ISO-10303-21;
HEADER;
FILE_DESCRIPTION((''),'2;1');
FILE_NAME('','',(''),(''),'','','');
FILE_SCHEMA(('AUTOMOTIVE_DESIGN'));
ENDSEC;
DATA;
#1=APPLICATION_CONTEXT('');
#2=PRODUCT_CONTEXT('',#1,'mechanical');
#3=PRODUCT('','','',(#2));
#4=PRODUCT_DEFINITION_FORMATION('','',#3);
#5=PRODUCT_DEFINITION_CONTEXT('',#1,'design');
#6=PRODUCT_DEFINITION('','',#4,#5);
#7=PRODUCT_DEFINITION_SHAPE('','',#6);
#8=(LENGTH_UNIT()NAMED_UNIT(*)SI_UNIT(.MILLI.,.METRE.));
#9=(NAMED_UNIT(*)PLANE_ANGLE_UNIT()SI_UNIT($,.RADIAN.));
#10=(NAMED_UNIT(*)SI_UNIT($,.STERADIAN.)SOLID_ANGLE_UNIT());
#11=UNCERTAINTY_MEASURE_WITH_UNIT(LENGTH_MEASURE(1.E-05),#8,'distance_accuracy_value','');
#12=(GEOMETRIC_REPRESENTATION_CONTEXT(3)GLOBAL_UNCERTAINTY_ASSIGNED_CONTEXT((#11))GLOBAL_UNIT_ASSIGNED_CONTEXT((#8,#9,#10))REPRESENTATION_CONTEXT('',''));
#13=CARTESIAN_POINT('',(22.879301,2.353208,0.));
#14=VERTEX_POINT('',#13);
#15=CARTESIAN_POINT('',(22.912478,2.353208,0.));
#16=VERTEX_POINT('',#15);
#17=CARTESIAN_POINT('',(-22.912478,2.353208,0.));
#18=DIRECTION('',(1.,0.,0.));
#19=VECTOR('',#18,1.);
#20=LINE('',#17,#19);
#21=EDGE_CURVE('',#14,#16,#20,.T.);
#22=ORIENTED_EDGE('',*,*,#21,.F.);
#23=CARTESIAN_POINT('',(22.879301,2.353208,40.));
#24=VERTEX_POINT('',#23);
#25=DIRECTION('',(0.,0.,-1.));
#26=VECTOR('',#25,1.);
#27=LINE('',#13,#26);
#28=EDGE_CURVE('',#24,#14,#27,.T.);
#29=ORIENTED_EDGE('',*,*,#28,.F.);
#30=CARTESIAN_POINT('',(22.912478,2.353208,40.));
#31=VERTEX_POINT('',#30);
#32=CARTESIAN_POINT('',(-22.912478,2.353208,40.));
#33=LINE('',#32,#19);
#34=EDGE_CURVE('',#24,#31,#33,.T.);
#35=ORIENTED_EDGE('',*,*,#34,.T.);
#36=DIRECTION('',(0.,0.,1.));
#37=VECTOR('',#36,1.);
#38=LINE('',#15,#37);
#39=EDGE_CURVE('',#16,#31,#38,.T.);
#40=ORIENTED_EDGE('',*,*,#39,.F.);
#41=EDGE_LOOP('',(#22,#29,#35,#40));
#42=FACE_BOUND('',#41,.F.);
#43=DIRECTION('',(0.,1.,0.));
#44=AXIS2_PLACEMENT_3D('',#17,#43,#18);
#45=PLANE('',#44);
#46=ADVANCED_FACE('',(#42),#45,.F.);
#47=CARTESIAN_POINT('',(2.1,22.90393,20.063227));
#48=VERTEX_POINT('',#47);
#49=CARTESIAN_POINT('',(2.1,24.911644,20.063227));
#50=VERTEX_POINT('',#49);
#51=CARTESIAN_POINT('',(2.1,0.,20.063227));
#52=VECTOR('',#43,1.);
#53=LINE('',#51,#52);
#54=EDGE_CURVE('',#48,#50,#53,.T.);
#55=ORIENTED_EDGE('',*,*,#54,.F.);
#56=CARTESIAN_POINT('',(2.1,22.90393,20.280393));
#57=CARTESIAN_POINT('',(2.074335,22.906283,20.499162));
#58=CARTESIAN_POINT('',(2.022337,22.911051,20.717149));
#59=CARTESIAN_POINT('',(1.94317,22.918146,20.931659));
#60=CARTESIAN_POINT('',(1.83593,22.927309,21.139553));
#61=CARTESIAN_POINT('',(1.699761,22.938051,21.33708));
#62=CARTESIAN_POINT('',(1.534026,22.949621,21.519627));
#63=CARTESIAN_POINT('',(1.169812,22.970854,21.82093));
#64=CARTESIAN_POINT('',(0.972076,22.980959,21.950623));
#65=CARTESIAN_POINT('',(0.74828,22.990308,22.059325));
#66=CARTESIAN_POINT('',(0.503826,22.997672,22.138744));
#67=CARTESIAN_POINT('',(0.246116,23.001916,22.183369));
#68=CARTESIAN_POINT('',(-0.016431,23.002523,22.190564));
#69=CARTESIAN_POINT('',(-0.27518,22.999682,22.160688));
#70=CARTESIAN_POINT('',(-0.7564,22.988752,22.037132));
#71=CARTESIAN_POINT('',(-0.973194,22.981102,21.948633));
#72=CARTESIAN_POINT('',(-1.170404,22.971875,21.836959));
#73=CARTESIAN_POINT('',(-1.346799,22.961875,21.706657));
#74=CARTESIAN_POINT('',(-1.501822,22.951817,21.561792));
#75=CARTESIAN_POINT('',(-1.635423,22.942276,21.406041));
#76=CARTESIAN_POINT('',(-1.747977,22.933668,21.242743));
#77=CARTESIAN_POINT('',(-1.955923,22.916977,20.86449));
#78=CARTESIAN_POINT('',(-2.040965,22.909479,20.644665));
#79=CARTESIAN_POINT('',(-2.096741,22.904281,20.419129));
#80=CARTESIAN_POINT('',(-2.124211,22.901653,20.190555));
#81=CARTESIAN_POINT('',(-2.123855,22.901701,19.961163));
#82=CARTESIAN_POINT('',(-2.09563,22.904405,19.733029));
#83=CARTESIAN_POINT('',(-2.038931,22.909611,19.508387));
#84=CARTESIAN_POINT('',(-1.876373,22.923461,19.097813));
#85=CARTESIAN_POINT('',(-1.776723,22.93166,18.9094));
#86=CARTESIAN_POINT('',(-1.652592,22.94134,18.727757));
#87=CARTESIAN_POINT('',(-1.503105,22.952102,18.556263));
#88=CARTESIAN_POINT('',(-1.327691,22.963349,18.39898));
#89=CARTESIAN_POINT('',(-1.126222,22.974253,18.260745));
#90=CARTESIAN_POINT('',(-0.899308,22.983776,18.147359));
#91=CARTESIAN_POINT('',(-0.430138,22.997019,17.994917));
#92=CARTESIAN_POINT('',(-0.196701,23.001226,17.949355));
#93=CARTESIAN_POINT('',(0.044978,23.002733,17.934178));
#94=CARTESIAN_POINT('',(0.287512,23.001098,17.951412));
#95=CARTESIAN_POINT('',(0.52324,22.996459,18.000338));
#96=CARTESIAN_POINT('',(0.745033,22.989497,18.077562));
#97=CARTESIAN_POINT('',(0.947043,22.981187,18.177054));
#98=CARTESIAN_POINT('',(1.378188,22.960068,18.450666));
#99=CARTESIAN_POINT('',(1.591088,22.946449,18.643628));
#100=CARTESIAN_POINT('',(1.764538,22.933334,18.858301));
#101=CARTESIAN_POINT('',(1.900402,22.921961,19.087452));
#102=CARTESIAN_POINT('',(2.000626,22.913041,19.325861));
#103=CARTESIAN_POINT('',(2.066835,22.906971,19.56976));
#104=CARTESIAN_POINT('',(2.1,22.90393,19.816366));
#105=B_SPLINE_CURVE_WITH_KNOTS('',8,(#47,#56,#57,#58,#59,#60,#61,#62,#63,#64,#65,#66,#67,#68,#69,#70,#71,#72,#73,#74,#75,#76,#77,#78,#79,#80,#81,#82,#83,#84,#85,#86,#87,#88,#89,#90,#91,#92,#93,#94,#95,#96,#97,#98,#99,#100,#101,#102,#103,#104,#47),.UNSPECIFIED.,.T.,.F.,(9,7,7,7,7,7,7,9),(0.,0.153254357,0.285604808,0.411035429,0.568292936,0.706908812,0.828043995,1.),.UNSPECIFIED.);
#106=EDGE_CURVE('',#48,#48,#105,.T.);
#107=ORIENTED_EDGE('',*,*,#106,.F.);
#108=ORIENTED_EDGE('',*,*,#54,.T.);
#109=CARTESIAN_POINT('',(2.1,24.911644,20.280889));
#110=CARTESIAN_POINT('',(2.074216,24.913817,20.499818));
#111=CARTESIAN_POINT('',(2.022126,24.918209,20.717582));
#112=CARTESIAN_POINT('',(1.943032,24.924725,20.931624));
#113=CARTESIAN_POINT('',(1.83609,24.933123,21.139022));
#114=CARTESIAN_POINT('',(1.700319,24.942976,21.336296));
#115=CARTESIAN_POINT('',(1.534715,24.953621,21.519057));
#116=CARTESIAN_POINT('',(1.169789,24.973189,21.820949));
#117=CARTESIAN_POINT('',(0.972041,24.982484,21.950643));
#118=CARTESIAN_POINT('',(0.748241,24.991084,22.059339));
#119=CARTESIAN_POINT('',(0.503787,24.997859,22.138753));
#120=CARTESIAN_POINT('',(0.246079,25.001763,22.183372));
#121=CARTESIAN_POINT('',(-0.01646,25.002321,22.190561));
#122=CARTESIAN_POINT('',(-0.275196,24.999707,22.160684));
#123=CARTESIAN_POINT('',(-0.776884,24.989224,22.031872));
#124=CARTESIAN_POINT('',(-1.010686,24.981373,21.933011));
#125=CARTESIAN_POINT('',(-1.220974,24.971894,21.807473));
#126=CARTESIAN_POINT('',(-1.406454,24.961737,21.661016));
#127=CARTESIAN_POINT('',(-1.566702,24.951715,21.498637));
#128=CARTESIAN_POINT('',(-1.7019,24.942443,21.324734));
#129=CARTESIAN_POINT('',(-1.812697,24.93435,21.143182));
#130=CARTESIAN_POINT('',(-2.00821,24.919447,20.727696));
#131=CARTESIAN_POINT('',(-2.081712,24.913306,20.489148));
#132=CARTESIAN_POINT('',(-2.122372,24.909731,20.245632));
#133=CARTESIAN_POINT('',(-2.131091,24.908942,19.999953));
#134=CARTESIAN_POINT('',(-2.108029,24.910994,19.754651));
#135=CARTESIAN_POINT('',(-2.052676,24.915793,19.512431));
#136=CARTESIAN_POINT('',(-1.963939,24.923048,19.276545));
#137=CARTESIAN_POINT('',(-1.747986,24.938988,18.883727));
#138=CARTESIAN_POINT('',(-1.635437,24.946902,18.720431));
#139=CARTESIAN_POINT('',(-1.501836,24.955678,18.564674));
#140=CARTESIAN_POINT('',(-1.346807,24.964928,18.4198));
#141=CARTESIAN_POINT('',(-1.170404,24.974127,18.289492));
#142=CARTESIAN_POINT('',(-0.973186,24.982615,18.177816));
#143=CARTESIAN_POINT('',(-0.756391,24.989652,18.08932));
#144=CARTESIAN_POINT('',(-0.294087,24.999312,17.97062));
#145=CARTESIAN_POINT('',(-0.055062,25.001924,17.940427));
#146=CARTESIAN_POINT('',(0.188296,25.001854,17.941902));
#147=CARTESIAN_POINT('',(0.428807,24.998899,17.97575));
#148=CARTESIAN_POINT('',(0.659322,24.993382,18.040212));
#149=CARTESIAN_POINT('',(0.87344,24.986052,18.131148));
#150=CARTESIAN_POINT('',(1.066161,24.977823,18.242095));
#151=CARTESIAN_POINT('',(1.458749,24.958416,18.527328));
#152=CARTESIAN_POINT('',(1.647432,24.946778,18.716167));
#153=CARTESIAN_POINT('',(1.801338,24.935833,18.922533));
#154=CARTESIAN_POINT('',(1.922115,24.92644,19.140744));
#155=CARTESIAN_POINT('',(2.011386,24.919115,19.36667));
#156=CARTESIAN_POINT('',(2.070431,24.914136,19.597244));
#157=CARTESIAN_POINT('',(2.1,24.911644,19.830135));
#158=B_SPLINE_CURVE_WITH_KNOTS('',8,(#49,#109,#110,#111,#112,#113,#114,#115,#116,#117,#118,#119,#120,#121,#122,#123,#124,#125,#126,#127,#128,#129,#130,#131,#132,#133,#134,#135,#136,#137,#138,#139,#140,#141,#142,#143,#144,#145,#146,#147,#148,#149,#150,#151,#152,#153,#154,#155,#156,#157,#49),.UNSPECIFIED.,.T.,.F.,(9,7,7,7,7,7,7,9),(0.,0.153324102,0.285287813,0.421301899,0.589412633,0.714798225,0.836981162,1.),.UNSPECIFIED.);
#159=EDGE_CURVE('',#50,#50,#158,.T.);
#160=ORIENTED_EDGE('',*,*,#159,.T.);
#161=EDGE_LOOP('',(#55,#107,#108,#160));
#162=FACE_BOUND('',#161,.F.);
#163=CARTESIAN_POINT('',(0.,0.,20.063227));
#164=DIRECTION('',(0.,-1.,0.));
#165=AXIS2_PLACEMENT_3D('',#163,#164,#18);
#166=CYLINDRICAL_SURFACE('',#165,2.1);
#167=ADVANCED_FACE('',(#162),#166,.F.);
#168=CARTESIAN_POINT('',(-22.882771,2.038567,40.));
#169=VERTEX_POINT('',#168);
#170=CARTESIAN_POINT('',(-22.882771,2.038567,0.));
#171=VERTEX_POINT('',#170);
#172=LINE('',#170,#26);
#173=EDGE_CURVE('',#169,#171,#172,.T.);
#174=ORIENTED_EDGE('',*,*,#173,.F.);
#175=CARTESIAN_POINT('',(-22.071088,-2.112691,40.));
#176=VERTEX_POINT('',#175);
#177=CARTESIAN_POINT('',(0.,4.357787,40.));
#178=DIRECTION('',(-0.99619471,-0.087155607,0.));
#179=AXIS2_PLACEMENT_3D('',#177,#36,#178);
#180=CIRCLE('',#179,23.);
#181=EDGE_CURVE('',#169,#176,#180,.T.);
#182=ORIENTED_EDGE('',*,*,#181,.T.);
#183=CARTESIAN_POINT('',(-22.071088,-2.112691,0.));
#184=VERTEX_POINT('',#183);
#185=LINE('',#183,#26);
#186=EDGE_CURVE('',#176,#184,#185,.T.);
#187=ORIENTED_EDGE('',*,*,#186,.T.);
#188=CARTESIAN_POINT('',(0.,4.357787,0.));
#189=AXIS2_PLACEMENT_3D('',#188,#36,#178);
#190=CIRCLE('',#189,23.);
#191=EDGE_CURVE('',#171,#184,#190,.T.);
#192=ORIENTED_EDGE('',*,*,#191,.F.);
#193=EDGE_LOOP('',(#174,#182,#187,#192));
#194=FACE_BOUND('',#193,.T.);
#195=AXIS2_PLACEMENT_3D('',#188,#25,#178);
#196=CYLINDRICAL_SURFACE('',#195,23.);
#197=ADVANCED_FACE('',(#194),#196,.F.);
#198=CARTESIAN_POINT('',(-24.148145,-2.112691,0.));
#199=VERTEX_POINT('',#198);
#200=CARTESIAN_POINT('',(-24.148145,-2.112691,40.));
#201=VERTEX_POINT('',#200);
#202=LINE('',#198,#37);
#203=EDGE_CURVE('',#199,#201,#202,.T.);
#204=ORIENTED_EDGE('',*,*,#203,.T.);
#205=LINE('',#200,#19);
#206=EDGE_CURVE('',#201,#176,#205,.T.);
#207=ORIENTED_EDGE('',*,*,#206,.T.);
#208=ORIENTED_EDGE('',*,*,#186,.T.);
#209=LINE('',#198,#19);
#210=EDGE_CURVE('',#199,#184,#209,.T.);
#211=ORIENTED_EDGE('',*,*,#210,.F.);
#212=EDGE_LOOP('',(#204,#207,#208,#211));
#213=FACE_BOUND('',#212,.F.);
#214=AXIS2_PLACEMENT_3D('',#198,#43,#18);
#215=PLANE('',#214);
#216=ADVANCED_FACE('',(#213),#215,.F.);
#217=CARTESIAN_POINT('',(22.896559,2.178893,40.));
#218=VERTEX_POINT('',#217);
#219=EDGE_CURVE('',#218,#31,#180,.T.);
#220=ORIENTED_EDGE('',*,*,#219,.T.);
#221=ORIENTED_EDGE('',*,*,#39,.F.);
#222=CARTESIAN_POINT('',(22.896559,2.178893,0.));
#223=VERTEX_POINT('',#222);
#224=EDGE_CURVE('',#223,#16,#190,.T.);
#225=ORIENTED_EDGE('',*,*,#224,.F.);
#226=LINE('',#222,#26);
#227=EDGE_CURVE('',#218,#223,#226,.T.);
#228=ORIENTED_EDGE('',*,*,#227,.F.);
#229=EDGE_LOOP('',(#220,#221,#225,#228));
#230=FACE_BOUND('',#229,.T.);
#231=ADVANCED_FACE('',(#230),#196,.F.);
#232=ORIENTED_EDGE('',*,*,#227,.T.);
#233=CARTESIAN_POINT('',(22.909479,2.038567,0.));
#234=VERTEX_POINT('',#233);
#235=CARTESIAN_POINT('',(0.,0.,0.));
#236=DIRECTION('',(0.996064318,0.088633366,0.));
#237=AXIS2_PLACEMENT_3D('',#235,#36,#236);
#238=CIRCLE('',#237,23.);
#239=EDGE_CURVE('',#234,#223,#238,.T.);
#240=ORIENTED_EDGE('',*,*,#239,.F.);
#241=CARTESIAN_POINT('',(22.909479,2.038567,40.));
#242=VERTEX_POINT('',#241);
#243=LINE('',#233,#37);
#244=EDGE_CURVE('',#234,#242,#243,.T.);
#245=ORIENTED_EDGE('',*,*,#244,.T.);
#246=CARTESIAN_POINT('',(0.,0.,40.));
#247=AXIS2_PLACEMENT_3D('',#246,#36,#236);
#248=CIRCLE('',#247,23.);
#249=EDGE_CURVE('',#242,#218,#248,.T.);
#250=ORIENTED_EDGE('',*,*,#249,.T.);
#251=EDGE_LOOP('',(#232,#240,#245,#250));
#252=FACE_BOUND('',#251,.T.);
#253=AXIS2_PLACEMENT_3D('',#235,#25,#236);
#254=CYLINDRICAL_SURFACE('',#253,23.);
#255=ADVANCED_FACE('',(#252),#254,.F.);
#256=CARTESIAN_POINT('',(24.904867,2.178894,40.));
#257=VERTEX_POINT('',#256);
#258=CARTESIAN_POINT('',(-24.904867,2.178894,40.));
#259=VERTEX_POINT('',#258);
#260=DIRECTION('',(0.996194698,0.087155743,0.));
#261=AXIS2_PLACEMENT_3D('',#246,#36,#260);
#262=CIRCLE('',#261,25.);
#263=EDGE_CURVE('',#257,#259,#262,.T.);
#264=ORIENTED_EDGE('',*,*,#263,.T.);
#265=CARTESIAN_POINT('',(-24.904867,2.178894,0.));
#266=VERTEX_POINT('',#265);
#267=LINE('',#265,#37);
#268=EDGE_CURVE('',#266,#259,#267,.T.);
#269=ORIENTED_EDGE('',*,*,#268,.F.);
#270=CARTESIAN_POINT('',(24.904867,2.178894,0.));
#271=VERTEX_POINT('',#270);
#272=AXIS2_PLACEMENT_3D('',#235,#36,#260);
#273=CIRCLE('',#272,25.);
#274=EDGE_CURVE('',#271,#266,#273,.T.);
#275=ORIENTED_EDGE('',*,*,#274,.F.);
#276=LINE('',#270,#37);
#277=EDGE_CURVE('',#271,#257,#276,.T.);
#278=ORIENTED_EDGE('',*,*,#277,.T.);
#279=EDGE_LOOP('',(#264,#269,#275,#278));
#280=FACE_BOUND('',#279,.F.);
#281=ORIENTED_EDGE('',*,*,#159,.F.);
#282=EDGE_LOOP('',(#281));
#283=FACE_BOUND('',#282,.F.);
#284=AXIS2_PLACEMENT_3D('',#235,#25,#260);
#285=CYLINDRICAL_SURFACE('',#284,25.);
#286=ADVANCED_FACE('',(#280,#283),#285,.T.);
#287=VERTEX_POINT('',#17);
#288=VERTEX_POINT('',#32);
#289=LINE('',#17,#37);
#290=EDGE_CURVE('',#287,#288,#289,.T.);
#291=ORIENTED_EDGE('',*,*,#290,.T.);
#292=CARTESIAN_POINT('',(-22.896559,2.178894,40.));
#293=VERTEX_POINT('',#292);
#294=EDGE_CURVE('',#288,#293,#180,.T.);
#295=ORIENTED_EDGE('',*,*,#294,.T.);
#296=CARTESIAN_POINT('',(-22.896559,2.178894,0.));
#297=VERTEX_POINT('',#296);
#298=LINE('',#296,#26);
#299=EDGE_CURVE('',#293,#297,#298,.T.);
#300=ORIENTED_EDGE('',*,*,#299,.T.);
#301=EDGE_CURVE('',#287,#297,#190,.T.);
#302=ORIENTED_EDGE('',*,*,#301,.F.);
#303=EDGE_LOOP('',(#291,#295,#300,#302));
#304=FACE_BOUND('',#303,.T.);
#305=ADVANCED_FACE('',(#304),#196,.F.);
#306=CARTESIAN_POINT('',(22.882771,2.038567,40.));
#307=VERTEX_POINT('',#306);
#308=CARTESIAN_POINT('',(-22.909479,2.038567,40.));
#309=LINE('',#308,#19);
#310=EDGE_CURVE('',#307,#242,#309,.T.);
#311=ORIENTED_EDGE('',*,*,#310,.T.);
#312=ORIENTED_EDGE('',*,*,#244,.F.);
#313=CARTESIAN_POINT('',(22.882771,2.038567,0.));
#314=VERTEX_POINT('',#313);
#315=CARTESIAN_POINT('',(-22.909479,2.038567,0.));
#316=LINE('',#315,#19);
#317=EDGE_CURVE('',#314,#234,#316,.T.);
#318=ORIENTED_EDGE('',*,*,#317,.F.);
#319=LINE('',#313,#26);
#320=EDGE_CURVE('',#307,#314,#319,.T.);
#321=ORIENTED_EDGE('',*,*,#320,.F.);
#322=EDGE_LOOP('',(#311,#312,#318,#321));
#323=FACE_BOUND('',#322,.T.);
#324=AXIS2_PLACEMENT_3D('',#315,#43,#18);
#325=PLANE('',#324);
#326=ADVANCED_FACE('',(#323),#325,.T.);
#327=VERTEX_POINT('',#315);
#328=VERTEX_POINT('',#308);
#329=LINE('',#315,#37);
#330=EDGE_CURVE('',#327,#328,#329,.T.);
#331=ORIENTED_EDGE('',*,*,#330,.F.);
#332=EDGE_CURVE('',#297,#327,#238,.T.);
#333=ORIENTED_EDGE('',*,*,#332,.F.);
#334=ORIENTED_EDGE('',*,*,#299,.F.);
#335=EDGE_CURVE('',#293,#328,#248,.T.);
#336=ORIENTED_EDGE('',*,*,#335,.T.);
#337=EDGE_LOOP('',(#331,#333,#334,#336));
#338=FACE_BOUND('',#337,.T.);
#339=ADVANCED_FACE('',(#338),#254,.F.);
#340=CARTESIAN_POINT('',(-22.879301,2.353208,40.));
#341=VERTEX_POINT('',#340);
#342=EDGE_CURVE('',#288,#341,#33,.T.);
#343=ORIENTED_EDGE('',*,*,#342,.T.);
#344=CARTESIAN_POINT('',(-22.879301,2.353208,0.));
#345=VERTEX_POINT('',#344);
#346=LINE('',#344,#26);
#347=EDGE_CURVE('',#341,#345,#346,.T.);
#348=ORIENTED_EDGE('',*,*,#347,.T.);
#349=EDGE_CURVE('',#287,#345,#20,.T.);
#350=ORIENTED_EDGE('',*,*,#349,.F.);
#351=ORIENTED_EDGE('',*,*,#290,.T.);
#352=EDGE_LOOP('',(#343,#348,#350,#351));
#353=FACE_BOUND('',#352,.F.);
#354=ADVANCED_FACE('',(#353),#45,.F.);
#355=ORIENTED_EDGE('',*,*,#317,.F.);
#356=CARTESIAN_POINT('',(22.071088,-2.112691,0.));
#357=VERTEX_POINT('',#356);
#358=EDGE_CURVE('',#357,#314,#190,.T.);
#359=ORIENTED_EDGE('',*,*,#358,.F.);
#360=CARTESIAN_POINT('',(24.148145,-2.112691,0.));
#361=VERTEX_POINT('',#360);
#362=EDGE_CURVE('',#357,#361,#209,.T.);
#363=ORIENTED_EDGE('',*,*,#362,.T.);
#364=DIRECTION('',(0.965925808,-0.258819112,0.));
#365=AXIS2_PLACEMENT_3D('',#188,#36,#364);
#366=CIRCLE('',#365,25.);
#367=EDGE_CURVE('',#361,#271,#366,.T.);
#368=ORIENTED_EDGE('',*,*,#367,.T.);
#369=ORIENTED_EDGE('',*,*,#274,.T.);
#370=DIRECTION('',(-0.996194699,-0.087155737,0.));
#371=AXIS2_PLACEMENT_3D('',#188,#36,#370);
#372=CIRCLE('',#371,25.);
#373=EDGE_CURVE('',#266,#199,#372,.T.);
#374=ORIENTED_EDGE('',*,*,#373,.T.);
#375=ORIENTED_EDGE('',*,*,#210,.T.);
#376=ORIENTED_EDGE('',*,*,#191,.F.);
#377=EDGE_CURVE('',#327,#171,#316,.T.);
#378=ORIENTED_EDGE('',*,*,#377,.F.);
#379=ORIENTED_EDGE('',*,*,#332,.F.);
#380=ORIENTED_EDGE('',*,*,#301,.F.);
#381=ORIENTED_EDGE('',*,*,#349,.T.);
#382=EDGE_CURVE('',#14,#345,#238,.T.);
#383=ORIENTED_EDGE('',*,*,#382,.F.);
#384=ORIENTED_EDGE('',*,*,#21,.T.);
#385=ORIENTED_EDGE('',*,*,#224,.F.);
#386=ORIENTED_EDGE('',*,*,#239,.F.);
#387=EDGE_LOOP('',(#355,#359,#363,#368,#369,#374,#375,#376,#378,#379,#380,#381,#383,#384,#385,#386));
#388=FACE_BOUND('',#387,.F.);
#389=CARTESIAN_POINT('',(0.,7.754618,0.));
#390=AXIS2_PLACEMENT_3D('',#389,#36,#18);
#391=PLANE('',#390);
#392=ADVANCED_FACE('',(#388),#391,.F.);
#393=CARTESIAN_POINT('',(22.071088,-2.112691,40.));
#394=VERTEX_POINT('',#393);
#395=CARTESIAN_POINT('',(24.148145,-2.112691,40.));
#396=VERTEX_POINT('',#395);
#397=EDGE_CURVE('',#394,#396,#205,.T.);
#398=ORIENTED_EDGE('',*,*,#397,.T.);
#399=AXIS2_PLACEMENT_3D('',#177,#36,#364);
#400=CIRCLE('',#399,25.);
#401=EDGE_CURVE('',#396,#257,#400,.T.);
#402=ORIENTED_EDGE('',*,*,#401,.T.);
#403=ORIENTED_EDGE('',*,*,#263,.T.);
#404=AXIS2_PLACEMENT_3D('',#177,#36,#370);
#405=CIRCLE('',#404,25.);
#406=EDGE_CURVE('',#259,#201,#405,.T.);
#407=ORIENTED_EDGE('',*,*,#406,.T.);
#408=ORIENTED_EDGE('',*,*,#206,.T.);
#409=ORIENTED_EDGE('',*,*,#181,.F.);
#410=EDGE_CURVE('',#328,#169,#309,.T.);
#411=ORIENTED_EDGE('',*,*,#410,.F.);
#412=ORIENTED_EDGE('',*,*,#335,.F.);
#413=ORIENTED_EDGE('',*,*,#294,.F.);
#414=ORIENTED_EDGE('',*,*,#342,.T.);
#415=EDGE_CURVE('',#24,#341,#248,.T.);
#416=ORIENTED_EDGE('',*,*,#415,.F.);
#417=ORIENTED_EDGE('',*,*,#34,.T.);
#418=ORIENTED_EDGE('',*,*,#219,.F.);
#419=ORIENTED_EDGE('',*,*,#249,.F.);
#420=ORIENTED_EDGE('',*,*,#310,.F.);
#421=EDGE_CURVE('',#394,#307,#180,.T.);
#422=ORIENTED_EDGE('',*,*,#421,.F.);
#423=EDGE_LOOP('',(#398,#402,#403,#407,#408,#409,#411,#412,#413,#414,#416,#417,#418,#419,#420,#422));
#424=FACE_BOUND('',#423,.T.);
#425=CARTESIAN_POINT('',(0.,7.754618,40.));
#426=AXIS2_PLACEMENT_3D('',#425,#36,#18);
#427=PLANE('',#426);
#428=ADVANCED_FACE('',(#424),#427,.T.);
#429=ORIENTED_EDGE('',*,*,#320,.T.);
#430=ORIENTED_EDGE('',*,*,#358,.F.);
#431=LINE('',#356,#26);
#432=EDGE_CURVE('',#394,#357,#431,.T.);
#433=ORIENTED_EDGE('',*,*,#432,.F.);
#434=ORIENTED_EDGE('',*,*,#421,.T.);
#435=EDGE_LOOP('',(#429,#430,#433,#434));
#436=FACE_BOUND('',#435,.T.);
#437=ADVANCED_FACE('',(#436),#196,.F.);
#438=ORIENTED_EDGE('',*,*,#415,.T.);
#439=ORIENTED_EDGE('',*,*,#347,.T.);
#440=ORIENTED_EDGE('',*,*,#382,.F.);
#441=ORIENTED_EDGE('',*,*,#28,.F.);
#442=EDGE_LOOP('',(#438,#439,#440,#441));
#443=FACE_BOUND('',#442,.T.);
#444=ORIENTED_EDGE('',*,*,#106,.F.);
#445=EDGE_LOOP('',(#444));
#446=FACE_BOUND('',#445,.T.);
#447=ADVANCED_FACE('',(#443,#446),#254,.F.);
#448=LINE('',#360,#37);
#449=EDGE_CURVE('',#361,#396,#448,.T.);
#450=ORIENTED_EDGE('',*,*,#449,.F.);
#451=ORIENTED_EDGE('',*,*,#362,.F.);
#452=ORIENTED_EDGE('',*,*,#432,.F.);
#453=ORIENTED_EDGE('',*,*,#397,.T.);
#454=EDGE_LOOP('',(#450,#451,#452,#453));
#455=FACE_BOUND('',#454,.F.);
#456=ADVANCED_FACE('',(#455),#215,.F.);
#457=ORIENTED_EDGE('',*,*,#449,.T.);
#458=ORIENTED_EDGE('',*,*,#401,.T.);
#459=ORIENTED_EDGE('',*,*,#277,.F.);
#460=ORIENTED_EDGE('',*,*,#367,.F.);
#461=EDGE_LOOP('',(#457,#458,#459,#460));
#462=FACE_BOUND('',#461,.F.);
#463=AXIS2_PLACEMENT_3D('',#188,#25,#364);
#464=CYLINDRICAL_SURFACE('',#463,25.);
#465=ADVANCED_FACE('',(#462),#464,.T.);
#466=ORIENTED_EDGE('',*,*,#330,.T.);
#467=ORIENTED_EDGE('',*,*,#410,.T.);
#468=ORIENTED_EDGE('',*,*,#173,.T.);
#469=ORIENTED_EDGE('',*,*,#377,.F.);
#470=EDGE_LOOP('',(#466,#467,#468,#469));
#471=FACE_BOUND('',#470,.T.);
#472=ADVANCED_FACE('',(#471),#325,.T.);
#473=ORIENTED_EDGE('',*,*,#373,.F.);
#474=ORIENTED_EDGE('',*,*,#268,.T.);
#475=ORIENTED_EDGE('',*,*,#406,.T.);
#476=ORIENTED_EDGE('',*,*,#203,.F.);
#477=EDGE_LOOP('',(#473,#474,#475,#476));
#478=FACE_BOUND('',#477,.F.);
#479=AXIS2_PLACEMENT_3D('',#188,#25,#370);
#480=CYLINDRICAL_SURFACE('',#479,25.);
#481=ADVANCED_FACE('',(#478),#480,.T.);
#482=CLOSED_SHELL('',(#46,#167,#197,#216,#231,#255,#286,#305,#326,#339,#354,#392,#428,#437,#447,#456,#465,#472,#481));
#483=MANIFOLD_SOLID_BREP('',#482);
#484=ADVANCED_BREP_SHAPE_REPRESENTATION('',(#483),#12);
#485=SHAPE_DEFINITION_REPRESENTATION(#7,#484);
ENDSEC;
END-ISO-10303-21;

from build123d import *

# Parameters (mm, degrees)
PAD008_DEPTH    = 40
POCKET006_DEPTH = 40
POCKET007_DEPTH = 40
SKETCH014_R     = 2.1
POCKET008_DEPTH = 25.001


with BuildPart() as part:
    # Sketch011 → Pad008 (new body)
    with BuildSketch(Plane.XY):
        with BuildLine():
            ThreePointArc((24.9048674523, 2.1788935687), (0, 25), (-24.9048674523, 2.1788935687))
            ThreePointArc((-24.9048674523, 2.1788935687), (-24.620193675, 0.0165817754), (-24.1481451973, -2.1126907965))
            Line((-24.1481451973, -2.1126907965), (24.148145198, -2.1126907965))
            ThreePointArc((24.148145198, -2.1126907965), (24.6201936752, 0.0165817755), (24.9048674523, 2.1788935687))
        make_face()
    extrude(amount=PAD008_DEPTH)

    # Sketch012 → Pocket006 (cut)
    with BuildSketch(Plane.XY):
        with BuildLine():
            ThreePointArc((22.909479324, 2.0385674149), (0, 23), (-22.909479324, 2.0385674149))
            Line((-22.909479324, 2.0385674149), (22.909479324, 2.0385674149))
        make_face()
    extrude(amount=POCKET006_DEPTH, mode=Mode.SUBTRACT)

    # Sketch013 → Pocket007 (cut)
    with BuildSketch(Plane.XY):
        with BuildLine():
            ThreePointArc((-22.912478289, 2.3532080284), (3.93e-08, -18.642213), (22.9124783677, 2.3532080284))
            Line((-22.912478289, 2.3532080284), (22.9124783677, 2.3532080284))
        make_face()
    extrude(amount=POCKET007_DEPTH, mode=Mode.SUBTRACT)

    # Sketch014 → Pocket008 (cut, through all)
    with BuildSketch(Plane.XZ):
        with Locations((0, 20.063227)):
            Circle(SKETCH014_R)
    extrude(amount=-POCKET008_DEPTH, mode=Mode.SUBTRACT)


solid = part.part
